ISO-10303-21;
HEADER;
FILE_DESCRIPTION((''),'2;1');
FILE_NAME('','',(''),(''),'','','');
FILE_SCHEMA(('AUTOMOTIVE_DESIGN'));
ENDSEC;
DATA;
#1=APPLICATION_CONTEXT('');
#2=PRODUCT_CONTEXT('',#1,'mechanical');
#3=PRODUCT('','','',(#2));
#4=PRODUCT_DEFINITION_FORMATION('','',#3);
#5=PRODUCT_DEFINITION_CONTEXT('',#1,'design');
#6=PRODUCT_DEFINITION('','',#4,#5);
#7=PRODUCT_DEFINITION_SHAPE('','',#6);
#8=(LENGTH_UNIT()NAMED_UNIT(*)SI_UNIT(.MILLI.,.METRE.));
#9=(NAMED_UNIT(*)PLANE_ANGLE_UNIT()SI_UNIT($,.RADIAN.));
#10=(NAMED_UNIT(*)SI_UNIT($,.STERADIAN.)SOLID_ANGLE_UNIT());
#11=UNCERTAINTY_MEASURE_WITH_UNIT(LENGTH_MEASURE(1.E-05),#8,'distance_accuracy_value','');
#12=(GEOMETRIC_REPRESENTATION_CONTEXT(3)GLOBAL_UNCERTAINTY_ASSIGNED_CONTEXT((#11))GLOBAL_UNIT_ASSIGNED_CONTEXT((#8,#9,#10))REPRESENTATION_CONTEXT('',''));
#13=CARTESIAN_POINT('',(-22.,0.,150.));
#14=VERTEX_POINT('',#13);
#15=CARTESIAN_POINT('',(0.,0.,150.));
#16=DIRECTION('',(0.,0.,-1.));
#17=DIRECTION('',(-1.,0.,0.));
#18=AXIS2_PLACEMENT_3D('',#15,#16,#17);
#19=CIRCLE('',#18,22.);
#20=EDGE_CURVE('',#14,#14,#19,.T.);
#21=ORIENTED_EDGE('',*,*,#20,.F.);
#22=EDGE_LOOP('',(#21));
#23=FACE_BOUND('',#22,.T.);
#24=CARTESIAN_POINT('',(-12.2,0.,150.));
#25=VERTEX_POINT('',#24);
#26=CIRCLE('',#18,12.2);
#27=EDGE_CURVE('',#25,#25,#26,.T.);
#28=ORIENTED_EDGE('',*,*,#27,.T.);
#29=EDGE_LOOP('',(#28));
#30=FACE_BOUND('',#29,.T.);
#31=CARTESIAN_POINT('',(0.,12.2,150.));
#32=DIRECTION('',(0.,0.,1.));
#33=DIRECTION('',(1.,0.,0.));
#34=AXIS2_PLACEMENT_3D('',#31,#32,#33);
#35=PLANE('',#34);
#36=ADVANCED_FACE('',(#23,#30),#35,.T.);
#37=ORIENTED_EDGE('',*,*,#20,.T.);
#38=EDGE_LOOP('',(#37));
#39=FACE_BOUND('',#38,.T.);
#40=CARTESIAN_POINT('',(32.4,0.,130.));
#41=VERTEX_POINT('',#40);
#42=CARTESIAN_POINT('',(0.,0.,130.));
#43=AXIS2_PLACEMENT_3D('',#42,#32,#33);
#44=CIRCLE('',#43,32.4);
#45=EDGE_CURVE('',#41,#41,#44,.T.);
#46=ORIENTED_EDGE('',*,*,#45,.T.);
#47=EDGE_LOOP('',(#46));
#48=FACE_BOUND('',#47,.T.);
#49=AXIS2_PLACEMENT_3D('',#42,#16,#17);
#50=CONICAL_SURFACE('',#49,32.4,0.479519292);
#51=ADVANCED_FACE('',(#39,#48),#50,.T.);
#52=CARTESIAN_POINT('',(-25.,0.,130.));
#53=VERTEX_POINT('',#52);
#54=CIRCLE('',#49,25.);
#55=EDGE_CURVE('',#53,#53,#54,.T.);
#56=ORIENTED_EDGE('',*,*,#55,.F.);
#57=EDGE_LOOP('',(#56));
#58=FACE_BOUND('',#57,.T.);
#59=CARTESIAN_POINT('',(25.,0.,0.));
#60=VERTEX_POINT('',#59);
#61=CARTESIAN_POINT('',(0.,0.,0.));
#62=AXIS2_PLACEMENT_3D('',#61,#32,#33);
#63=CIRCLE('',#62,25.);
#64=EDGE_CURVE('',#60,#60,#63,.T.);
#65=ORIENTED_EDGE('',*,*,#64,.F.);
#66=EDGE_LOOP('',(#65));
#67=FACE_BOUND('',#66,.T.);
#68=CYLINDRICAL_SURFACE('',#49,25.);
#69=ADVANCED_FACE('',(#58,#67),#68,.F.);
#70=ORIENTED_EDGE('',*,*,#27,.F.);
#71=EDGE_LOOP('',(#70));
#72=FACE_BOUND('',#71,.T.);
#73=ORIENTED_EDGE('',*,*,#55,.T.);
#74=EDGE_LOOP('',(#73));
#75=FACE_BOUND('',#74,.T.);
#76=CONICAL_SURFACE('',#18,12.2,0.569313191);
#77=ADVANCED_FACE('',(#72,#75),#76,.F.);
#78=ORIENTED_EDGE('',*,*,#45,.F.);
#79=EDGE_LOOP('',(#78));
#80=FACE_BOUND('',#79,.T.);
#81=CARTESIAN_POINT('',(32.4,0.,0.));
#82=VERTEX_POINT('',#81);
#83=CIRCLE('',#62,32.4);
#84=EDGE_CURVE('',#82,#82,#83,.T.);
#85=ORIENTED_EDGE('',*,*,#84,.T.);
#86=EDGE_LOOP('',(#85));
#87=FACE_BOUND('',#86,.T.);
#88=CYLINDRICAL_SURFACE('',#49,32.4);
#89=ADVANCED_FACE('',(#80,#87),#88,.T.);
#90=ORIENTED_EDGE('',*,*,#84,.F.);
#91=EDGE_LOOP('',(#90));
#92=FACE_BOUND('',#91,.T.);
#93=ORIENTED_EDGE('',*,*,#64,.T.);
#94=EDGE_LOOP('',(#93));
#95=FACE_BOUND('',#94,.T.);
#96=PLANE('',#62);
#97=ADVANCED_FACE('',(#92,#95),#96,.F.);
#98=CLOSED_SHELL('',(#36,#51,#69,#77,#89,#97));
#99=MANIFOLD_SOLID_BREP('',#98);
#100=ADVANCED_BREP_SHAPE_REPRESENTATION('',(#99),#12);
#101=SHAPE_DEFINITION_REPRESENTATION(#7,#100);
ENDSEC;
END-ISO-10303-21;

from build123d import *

# Parameters (mm, degrees)
SKETCH1_R           = 32.4
SKETCH1_R_2         = 25
BOSS_EXTRUDE1_DEPTH = 130


with BuildPart() as part:
    # Sketch1 → Boss-Extrude1 (new body)
    with BuildSketch(Plane.XY):
        Circle(SKETCH1_R)
        Circle(SKETCH1_R_2, mode=Mode.SUBTRACT)
    extrude(amount=BOSS_EXTRUDE1_DEPTH)

    # Sketch8 → Revolve1 (revolve)
    with BuildSketch(Plane(origin=(0, 0, 0), x_dir=(0, 0, -1), z_dir=(1, 0, 0)), mode=Mode.PRIVATE) as revolve1_sk:
        Polygon((-130, 32.4), (-150, 22), (-150, 12.2), (-130, 25), align=None)
    revolve(revolve1_sk.sketch.rotate(Axis((0, 0, -1366.143175617), (0, 0, 1)), 90), axis=Axis((0, 0, -1366.143175617), (0, 0, 1)))


solid = part.part
